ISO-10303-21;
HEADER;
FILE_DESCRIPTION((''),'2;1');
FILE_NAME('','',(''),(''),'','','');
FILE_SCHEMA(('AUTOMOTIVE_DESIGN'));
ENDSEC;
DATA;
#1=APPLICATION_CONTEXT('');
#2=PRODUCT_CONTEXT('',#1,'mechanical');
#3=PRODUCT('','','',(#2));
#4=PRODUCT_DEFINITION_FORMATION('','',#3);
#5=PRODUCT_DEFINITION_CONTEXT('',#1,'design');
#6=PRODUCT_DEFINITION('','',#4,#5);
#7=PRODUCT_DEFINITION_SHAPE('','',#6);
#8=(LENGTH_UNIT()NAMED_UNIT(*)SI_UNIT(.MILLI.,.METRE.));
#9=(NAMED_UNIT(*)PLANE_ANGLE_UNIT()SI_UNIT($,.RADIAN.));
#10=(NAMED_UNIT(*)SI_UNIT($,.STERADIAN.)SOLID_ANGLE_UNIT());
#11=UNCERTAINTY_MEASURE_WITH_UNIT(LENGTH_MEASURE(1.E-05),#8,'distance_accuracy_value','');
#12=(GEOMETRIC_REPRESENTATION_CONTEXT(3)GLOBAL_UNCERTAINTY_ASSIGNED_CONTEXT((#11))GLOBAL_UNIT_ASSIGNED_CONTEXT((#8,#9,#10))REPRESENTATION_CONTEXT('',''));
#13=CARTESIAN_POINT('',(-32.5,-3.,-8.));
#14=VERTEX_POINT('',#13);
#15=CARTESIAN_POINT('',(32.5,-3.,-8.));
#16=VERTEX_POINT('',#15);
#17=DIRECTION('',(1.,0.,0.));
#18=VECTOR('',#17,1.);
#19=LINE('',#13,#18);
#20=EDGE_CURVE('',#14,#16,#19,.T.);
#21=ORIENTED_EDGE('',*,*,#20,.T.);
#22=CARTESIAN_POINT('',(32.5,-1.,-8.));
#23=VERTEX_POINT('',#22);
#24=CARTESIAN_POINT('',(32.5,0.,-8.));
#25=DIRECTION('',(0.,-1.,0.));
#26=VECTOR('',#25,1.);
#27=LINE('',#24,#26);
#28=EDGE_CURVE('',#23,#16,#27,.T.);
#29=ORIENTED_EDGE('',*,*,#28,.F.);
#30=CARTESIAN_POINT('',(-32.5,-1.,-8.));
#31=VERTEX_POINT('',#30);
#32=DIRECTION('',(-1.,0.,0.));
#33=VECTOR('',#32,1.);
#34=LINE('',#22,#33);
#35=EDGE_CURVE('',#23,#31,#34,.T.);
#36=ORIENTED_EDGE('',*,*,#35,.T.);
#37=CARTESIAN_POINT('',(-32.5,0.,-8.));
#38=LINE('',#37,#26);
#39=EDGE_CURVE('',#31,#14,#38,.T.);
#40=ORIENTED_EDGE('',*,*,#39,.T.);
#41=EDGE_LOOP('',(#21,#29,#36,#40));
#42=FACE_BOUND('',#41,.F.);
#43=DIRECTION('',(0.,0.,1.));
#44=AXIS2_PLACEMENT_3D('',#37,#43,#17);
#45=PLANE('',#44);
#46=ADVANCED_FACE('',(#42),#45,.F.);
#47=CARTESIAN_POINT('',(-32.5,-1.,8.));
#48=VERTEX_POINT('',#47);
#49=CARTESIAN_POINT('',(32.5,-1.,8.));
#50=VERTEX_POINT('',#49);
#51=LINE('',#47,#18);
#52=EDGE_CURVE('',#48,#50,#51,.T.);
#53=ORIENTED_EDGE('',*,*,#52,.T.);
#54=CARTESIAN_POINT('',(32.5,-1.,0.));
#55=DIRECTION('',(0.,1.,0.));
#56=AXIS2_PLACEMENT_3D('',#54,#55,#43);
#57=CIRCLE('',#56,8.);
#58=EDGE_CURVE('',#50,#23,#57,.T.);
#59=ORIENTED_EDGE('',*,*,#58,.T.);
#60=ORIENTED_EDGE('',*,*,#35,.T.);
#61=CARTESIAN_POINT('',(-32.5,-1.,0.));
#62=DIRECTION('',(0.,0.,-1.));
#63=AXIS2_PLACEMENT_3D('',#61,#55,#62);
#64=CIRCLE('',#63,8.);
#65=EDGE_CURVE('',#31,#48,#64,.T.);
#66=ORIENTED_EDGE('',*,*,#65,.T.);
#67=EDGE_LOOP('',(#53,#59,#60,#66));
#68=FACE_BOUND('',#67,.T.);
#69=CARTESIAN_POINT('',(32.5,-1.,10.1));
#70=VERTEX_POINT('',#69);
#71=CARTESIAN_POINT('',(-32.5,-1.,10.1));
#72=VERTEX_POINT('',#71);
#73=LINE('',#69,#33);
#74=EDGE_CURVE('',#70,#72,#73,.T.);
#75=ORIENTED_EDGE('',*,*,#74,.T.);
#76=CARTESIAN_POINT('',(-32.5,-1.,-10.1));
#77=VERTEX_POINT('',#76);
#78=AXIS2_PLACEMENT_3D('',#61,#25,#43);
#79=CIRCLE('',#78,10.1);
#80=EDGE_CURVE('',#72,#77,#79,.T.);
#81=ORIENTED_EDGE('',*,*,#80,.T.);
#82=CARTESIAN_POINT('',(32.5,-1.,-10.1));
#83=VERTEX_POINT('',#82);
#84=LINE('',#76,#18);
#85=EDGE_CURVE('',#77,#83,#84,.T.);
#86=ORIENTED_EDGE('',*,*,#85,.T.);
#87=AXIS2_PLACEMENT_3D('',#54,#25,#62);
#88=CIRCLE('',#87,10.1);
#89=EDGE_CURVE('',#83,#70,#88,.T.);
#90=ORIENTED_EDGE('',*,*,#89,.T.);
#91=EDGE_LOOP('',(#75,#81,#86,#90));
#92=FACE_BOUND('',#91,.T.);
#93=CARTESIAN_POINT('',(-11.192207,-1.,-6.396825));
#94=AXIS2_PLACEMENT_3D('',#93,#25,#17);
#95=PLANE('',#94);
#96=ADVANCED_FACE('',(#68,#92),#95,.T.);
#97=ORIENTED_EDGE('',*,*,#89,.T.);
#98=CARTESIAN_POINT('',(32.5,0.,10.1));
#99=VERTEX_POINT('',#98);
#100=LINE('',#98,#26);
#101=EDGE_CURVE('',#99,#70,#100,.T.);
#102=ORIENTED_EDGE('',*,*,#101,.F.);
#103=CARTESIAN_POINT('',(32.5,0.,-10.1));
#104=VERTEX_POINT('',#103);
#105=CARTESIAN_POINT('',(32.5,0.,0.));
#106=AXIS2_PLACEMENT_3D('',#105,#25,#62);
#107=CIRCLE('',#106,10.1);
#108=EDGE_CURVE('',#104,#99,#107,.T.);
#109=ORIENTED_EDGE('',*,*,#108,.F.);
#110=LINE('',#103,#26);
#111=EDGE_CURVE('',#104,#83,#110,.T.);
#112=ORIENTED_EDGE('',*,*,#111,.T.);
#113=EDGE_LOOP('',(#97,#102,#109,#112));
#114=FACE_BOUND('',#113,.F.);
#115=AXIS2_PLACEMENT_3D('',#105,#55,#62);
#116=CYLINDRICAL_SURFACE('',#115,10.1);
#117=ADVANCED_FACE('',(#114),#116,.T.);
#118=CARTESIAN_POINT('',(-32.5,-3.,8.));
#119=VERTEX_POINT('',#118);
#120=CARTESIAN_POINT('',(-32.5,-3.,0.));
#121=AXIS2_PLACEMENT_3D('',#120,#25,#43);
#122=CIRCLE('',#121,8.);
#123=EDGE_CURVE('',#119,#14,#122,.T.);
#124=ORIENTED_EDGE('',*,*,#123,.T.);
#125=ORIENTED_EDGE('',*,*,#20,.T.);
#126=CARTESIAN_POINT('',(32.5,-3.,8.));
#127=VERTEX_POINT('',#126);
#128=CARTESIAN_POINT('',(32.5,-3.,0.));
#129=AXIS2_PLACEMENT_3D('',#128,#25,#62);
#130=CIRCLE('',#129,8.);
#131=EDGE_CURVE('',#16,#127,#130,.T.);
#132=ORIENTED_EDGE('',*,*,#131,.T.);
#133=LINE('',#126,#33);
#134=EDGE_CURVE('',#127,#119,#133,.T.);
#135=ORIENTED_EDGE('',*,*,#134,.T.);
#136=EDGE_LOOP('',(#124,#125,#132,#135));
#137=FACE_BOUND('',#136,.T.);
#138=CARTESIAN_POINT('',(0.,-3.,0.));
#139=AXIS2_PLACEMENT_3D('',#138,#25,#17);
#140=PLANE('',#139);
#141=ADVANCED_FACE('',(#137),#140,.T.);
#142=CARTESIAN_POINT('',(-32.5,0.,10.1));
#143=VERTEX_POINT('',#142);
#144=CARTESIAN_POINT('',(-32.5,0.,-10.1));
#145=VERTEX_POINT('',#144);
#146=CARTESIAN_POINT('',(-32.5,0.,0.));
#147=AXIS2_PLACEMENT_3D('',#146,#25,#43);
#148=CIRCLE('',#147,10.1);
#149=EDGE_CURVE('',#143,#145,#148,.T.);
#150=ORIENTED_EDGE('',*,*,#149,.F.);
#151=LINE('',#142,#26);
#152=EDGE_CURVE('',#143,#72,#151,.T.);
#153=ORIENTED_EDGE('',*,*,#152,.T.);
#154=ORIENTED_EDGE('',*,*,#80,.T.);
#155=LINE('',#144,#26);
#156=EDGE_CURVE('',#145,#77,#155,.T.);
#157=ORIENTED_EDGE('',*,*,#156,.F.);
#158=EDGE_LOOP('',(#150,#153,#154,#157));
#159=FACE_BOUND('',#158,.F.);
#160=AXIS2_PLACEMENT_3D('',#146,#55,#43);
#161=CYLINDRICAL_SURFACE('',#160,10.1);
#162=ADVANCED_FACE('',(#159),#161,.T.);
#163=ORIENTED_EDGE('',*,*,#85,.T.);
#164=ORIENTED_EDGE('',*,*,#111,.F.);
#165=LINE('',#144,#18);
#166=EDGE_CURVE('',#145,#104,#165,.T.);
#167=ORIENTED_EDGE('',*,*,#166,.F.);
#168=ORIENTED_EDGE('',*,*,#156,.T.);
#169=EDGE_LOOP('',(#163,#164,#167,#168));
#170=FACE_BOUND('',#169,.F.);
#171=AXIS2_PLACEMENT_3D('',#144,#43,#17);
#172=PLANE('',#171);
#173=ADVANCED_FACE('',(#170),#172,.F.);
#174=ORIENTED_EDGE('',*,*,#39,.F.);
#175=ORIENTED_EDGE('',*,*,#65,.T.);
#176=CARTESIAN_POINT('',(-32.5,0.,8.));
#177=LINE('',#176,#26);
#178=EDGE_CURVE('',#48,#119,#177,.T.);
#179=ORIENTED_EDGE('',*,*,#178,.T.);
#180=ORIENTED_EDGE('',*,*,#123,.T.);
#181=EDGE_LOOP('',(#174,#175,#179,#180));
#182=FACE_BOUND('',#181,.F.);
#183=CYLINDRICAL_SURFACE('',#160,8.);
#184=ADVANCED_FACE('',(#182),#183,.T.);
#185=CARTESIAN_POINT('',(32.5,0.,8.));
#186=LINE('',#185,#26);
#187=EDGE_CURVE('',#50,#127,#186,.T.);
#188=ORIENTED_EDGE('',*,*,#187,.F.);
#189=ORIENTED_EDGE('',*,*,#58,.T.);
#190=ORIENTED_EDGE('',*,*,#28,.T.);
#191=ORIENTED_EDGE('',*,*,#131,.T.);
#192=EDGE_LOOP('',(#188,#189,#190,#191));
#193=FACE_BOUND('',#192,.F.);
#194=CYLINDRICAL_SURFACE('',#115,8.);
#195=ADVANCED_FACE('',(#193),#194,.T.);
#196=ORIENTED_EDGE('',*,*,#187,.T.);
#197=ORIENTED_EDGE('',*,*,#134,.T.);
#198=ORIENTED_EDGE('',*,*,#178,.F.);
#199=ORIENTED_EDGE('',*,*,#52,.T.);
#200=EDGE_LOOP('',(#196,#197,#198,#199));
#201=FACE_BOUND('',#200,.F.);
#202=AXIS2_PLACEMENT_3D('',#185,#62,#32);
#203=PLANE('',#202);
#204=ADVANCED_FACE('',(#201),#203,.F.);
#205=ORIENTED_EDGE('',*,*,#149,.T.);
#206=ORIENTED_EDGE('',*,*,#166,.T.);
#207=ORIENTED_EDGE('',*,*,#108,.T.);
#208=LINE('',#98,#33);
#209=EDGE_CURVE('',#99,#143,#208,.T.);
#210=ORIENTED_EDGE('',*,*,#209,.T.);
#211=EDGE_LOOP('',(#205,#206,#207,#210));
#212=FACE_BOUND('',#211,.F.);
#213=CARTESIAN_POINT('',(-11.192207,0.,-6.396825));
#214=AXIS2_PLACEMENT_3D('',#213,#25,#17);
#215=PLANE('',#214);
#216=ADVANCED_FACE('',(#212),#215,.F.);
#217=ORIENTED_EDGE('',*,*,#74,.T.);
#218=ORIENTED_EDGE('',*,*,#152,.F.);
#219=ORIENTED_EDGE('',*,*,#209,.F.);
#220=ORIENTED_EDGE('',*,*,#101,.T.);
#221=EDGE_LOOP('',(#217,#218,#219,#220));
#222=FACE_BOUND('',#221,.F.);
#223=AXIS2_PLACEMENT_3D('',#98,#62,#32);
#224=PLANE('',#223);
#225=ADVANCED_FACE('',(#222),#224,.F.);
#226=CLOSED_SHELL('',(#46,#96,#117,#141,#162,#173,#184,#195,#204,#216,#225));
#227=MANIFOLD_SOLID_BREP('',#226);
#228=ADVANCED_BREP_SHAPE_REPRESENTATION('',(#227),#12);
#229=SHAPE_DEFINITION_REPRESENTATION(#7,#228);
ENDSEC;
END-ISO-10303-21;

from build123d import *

# Parameters (mm, degrees)
F1_DEPTH = 1
F2_DEPTH = 3


with BuildPart() as f1:
    # F0 (on Front) → F1 (new body)
    with BuildSketch(Plane.XZ):
        with BuildLine():
            Line((-32.5, 8.5), (-32.5, 10.1))
            ThreePointArc((-32.5, 10.1), (-42.6, 0), (-32.5, -10.1))
            Line((-32.5, -10.1), (32.5, -10.1))
            Line((32.5, -10.1), (32.5, -8.5))
            Line((32.5, -8.5), (-32.5, -8.5))
            ThreePointArc((-32.5, -8.5), (-41, 0), (-32.5, 8.5))
        make_face()
        with BuildLine():
            Line((32.5, 10.1), (-32.5, 10.1))
            Line((-32.5, 10.1), (-32.5, 8.5))
            Line((-32.5, 8.5), (32.5, 8.5))
            ThreePointArc((32.5, 8.5), (41, 0), (32.5, -8.5))
            Line((32.5, -8.5), (32.5, -10.1))
            ThreePointArc((32.5, -10.1), (42.6, 0), (32.5, 10.1))
        make_face()
        with BuildLine():
            Line((32.5, 8.5), (-32.5, 8.5))
            Line((-32.5, 8.5), (-32.5, 8))
            Line((-32.5, 8), (32.5, 8))
            ThreePointArc((32.5, 8), (40.5, 0), (32.5, -8))
            Line((32.5, -8), (32.5, -8.5))
            ThreePointArc((32.5, -8.5), (41, 0), (32.5, 8.5))
        make_face()
        with BuildLine():
            Line((-32.5, 8), (-32.5, 8.5))
            ThreePointArc((-32.5, 8.5), (-41, 0), (-32.5, -8.5))
            Line((-32.5, -8.5), (32.5, -8.5))
            Line((32.5, -8.5), (32.5, -8))
            Line((32.5, -8), (-32.5, -8))
            ThreePointArc((-32.5, -8), (-40.5, 0), (-32.5, 8))
        make_face()
    extrude(amount=F1_DEPTH)

    # F0 (on Front) → F2 (join)
    with BuildSketch(Plane.XZ):
        with BuildLine():
            Line((32.5, 8), (-32.5, 8))
            ThreePointArc((-32.5, 8), (-40.5, 0), (-32.5, -8))
            Line((-32.5, -8), (32.5, -8))
            ThreePointArc((32.5, -8), (40.5, 0), (32.5, 8))
        make_face()
    extrude(amount=F2_DEPTH)


solid = f1.part
